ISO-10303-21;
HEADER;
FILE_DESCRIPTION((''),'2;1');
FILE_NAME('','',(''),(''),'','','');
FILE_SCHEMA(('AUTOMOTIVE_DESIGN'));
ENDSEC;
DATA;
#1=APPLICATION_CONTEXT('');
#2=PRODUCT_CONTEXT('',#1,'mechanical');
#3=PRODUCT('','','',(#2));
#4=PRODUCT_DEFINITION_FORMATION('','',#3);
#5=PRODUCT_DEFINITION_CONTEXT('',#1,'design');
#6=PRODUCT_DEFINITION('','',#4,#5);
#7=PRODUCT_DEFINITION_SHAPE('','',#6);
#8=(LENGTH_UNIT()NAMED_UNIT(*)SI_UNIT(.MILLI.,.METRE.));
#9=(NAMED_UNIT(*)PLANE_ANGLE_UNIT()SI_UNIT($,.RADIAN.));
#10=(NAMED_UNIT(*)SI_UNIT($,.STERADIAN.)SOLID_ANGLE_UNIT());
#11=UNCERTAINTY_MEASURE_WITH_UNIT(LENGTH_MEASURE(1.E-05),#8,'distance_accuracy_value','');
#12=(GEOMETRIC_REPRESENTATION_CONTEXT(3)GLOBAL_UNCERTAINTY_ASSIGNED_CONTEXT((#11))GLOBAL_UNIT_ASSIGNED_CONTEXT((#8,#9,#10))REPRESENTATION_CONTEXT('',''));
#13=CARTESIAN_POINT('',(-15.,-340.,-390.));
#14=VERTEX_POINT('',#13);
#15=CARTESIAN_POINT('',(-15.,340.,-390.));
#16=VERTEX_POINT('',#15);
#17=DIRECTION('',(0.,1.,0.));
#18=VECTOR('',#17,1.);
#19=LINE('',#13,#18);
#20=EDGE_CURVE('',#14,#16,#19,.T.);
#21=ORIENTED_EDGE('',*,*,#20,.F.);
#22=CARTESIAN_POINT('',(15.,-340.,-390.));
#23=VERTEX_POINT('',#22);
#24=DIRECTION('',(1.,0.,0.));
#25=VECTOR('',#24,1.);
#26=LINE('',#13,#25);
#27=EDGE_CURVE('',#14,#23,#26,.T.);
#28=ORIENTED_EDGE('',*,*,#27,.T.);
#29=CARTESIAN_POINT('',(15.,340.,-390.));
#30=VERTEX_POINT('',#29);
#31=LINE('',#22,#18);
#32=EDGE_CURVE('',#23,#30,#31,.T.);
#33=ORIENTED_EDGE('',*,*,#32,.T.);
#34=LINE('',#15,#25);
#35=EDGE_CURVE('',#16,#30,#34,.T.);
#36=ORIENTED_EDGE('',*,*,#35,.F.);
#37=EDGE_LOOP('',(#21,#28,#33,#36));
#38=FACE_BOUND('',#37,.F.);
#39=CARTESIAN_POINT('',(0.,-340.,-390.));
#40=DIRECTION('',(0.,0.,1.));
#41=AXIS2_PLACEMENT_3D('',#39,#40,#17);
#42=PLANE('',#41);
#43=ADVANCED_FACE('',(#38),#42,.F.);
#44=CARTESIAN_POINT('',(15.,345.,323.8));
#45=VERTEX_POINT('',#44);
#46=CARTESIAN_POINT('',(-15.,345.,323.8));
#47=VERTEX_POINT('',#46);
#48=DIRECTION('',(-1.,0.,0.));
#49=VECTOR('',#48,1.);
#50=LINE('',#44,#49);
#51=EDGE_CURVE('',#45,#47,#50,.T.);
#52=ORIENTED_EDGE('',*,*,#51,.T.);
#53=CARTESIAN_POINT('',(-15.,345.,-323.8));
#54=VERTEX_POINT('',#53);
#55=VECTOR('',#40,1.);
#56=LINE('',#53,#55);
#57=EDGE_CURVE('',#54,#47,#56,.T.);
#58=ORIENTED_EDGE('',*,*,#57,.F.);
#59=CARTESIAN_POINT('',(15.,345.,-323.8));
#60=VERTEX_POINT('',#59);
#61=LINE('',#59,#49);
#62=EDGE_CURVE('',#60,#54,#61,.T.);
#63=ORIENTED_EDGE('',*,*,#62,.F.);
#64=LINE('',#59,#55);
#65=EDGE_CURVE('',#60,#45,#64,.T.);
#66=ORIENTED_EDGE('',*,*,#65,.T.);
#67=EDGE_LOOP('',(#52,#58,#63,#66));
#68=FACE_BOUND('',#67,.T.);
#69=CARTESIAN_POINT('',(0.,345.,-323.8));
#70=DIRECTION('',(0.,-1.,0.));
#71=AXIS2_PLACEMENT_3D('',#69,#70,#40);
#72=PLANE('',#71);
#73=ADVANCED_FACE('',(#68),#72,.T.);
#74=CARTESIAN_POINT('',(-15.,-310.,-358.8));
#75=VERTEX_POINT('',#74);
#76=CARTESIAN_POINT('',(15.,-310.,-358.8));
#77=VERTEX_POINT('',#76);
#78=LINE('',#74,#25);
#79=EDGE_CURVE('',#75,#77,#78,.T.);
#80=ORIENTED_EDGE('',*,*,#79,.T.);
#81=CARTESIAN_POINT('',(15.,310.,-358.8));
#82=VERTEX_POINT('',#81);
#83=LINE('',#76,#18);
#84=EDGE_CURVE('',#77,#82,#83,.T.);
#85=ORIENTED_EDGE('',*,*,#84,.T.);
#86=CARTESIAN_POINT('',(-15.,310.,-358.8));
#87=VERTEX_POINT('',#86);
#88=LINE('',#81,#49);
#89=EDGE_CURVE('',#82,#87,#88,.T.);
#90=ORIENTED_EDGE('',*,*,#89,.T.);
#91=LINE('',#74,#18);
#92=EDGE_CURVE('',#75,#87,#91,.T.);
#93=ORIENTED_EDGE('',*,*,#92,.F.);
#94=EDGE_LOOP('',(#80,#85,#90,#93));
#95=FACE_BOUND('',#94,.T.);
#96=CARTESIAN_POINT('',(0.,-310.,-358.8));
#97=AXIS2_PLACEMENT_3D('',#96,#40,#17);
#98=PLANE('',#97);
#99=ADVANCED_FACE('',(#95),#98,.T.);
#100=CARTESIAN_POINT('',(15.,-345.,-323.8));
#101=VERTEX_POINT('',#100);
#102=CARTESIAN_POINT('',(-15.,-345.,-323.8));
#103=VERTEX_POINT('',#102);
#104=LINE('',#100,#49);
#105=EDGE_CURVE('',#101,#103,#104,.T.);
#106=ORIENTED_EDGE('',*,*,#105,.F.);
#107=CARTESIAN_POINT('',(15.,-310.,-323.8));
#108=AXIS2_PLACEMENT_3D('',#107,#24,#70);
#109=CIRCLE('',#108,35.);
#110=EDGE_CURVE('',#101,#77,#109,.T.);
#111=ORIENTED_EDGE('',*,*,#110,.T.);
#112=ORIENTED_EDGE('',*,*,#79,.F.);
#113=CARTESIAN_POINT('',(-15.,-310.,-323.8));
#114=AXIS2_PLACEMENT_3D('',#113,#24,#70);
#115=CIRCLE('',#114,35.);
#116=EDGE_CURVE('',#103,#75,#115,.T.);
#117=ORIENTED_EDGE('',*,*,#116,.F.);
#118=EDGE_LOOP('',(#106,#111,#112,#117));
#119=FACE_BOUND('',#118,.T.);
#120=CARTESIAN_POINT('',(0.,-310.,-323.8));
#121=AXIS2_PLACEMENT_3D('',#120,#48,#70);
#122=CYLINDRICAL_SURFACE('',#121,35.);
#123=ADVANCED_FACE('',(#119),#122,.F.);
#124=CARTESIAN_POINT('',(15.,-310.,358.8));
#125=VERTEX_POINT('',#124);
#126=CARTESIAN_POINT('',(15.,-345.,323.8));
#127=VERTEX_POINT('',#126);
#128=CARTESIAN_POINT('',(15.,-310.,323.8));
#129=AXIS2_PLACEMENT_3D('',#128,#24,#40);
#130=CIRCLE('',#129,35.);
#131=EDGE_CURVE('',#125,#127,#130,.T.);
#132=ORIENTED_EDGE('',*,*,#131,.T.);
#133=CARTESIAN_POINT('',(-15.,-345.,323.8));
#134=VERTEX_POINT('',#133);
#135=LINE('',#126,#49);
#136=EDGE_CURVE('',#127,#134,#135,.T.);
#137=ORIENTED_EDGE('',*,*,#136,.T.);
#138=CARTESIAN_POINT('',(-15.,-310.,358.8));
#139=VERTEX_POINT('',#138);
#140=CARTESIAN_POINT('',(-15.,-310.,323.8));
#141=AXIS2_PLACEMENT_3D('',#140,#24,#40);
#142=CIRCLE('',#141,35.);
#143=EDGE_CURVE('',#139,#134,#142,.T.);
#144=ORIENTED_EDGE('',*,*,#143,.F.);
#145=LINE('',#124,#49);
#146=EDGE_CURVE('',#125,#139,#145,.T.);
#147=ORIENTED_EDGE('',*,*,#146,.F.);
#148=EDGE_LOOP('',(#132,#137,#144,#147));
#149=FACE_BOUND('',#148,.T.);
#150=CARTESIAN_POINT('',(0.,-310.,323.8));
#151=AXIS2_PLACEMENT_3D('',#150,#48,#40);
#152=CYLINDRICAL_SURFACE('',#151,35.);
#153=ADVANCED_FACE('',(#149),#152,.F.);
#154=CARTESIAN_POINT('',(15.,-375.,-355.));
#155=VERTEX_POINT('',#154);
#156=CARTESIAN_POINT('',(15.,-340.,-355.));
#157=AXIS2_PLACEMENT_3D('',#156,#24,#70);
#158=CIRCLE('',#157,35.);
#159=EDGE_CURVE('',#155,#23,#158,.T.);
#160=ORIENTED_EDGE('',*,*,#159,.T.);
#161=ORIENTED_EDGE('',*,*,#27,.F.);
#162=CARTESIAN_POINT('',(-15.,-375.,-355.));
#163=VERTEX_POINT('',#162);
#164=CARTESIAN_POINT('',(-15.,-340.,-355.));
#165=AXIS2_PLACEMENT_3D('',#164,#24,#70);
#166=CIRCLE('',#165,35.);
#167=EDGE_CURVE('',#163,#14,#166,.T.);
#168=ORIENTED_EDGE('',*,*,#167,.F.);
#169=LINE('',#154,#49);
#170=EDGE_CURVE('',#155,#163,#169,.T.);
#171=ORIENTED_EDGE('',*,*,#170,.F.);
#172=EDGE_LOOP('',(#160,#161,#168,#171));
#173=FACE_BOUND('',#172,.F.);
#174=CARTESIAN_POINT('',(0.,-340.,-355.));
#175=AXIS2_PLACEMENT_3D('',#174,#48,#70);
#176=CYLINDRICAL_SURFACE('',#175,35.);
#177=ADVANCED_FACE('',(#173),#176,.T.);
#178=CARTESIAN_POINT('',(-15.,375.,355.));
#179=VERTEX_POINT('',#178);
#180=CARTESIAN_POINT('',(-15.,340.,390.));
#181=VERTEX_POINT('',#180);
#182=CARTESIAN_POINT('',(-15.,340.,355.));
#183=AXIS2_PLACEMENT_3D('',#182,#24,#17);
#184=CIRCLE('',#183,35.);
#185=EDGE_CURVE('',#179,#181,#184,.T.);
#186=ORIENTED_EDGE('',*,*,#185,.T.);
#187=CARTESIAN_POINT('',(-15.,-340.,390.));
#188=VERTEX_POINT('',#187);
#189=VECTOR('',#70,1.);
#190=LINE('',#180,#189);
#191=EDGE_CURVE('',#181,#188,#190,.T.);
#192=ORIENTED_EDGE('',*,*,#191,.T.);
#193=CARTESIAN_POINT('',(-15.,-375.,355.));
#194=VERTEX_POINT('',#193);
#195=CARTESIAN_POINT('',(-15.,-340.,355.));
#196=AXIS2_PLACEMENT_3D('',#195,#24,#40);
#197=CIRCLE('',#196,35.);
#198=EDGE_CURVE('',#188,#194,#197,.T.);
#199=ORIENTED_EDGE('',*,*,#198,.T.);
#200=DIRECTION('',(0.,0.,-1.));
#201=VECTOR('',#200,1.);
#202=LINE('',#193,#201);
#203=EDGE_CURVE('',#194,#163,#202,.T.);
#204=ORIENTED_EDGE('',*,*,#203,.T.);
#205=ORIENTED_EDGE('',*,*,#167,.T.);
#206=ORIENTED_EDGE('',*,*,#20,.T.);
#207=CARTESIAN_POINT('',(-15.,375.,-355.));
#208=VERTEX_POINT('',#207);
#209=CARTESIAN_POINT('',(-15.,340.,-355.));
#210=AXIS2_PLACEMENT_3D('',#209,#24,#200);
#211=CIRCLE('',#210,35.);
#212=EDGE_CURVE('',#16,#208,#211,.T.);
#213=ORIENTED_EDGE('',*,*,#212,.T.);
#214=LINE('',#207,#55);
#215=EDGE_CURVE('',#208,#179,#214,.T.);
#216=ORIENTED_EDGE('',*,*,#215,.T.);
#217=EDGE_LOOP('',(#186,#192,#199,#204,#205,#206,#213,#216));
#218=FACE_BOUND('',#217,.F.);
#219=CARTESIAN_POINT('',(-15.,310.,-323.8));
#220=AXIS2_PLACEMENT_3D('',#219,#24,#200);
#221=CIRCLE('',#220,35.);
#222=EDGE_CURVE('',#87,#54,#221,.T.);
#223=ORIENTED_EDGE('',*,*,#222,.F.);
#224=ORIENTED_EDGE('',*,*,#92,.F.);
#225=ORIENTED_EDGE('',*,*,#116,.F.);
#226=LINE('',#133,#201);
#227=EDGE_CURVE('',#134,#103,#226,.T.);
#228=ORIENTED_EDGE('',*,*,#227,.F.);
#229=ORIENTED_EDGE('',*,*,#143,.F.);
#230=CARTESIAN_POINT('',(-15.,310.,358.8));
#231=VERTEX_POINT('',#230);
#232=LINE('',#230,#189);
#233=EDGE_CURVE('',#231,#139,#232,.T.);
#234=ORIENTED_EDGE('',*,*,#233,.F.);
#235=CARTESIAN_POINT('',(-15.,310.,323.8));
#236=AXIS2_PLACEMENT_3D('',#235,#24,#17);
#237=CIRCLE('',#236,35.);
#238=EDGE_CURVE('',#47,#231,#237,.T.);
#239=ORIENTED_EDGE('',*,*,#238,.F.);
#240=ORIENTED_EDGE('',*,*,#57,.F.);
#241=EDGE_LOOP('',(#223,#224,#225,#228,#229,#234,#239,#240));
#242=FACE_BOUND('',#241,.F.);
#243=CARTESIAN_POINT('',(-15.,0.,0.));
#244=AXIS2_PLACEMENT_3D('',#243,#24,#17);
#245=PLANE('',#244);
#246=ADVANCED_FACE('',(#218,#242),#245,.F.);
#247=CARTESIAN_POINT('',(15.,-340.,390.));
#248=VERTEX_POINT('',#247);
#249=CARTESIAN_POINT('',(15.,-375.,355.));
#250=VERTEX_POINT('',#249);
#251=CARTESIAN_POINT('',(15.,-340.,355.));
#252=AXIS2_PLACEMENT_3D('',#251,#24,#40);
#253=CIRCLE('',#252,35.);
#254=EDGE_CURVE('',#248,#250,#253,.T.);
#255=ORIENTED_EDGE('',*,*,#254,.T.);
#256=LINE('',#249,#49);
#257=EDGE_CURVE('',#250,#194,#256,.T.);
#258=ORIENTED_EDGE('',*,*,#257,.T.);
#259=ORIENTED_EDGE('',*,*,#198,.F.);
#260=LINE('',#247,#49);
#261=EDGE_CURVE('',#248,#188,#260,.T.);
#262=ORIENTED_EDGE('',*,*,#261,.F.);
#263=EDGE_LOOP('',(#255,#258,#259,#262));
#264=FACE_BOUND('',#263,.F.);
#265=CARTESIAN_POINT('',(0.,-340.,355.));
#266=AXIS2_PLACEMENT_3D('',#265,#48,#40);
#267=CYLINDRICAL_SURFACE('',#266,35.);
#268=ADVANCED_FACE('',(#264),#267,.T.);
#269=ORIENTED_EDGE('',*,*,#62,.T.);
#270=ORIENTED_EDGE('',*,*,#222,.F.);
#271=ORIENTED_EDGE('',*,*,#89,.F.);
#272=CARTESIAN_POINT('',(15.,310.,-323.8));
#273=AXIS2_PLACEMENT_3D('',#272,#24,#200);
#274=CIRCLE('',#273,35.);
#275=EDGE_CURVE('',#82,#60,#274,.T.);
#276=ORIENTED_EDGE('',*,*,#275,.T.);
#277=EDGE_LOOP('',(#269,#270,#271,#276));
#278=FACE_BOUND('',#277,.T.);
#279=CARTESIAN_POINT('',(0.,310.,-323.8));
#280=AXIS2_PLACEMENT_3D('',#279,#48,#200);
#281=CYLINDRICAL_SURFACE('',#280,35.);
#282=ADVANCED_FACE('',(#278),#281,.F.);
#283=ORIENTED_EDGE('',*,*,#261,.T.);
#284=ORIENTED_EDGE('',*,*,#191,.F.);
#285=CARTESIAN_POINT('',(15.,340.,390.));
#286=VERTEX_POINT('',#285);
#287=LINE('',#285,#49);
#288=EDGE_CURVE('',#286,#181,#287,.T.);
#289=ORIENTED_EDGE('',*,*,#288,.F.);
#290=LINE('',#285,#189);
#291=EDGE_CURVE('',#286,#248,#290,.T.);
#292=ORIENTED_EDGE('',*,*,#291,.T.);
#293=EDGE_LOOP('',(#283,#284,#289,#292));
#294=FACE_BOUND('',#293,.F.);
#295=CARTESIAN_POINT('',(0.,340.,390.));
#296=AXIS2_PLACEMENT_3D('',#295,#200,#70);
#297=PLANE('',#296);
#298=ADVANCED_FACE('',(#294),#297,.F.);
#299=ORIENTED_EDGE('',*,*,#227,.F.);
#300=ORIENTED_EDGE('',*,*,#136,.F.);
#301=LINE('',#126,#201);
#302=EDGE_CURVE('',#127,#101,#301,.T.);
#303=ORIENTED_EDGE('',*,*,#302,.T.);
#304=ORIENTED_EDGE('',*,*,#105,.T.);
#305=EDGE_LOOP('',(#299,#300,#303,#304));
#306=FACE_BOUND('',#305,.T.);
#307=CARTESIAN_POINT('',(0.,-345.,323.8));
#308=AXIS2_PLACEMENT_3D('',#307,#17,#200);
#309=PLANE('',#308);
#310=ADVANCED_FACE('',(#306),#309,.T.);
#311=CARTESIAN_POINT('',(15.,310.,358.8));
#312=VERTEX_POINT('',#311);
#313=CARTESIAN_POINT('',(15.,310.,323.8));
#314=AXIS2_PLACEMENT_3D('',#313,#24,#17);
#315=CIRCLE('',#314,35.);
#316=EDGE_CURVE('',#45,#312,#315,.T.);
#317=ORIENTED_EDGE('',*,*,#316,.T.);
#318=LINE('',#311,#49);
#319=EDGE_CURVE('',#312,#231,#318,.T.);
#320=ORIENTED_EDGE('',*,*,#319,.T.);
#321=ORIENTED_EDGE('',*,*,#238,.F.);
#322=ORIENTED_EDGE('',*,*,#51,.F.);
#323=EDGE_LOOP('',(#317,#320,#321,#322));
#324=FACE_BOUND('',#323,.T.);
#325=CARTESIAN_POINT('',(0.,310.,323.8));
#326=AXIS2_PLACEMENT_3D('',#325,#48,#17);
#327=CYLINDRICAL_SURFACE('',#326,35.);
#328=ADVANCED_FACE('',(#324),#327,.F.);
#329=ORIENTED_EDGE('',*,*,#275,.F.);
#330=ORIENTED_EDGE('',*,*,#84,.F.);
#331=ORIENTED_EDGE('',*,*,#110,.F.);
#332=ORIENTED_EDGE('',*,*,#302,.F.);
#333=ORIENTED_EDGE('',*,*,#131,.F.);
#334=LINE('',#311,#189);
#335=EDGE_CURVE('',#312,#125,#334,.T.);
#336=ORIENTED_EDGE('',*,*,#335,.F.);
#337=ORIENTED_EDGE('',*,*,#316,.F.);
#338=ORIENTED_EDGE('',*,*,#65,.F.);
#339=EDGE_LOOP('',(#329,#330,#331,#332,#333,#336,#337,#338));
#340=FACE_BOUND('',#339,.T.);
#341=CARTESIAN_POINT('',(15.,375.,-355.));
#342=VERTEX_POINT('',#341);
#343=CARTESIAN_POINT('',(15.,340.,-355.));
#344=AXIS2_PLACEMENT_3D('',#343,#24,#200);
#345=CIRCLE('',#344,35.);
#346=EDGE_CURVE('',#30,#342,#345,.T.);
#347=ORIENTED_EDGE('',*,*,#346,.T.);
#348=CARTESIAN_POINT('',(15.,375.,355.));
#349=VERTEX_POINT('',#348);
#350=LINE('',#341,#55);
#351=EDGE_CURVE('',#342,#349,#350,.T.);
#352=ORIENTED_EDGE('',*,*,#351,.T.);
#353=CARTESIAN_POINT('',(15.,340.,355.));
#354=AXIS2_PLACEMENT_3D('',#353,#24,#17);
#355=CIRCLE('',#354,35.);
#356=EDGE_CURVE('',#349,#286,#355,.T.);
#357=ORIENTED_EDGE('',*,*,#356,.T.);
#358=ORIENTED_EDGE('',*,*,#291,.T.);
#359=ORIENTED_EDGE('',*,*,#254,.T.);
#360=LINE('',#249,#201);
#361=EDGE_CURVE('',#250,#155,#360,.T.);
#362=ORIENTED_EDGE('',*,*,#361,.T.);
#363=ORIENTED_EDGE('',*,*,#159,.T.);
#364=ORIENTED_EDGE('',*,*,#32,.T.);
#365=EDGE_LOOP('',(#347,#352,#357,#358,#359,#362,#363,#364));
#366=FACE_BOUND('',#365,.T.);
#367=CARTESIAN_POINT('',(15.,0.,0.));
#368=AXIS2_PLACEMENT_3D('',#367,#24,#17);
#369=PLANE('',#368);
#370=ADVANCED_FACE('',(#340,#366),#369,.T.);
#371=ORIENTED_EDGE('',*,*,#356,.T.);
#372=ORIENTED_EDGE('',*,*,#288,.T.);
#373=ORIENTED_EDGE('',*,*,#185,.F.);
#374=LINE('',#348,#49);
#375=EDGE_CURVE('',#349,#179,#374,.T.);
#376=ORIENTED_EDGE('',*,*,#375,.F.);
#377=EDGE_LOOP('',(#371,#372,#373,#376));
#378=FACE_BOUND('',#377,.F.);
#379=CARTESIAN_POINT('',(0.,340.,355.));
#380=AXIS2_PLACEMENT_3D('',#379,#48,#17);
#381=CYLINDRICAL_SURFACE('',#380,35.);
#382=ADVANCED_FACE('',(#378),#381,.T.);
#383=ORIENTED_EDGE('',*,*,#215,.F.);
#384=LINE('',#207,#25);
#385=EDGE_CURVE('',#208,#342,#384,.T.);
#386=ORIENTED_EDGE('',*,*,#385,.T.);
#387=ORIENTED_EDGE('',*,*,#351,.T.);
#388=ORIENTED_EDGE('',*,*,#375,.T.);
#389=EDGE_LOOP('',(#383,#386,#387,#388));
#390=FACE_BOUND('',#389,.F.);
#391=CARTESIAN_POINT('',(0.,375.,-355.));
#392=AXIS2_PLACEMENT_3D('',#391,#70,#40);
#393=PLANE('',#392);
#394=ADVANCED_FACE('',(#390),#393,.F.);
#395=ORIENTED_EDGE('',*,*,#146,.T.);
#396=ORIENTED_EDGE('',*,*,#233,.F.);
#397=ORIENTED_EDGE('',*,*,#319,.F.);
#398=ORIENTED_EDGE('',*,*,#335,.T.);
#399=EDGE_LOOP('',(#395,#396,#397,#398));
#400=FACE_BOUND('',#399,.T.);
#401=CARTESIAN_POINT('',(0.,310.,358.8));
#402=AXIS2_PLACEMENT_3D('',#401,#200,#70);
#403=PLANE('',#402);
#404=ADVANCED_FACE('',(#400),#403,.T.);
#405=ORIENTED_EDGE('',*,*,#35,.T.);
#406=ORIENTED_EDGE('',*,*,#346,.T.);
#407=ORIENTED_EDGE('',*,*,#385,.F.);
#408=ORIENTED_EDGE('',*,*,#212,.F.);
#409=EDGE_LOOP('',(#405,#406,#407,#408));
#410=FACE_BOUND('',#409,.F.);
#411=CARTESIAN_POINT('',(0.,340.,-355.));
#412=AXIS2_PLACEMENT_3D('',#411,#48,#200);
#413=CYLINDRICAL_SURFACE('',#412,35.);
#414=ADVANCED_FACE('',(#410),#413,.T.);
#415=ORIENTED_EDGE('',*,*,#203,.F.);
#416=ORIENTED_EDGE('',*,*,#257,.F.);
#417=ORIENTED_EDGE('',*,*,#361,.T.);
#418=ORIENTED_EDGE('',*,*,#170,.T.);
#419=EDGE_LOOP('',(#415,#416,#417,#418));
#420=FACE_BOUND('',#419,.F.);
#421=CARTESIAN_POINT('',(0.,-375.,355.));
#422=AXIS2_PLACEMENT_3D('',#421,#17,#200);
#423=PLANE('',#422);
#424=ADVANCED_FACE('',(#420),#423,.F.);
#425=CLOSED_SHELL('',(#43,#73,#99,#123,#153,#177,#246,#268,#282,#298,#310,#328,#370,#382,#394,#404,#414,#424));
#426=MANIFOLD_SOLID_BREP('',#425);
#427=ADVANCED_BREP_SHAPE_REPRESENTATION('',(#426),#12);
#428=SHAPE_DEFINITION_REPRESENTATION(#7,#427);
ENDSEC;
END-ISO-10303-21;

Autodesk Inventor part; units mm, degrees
sketch "Esboço1" plane through (0, 0, 0) normal (1, 0, 0) x (0, 1, 0)
  line L0 (-340, -390) -> (340, -390)
  line L1 (375, -355) -> (375, 355)
  line L2 (340, 390) -> (-340, 390)
  line L3 (-375, 355) -> (-375, -355)
  line L4 (-375, -390) -> (375, 390) construction
  line L5 (375, -390) -> (-375, 390) construction
  line L6 (-310, -358.8) -> (310, -358.8)
  line L7 (345, -323.8) -> (345, 323.8)
  line L8 (310, 358.8) -> (-310, 358.8)
  line L9 (-345, 323.8) -> (-345, -323.8)
  line L10 (-345, -358.8) -> (345, 358.8) construction
  line L11 (345, -358.8) -> (-345, 358.8) construction
  arc A0 (345, 323.8) -> (310, 358.8) centre (310, 323.8) ccw
  arc A1 (375, 355) -> (340, 390) centre (340, 355) ccw
  arc A2 (340, -390) -> (375, -355) centre (340, -355) ccw
  arc A3 (310, -358.8) -> (345, -323.8) centre (310, -323.8) ccw
  arc A4 (-310, 358.8) -> (-345, 323.8) centre (-310, 323.8) ccw
  arc A5 (-345, -323.8) -> (-310, -358.8) centre (-310, -323.8) ccw
  arc A6 (-375, -355) -> (-340, -390) centre (-340, -355) ccw
  arc A7 (-340, 390) -> (-375, 355) centre (-340, 355) ccw
  point P0 (0, 0)
  dimension "d0" = 780
  dimension "d1" = 750
  dimension "d2" = 30
  dimension "d3" = 35
  dimension "d4" = 35
  dimension "d5" = 35
extrude "Extrusão1" add sketch "Esboço1" along normal mid plane 30
equation "\"Raio_vergadura\" = Espessura"
equation "\"Largura_alívio_de_vergadura\" = Espessura"
equation "\"Profundidade_alívio_de_vergadura\" = 0.5 * Espessura"
equation "\"Tamanho_alívio_de_dobra\" = 4 * Espessura"
equation "\"Remanescente_mínimo\" = 2 * Espessura"
equation "\"Raiodetransição\" = Raio_vergadura"
equation "\"Tamanho_de_raio_de_Jacobi\" = Raio_vergadura"
equation "\"TamanhoFolga\" = Espessura"
equation "\"Espessura\" = 0.5"
properties part number "Pés"
